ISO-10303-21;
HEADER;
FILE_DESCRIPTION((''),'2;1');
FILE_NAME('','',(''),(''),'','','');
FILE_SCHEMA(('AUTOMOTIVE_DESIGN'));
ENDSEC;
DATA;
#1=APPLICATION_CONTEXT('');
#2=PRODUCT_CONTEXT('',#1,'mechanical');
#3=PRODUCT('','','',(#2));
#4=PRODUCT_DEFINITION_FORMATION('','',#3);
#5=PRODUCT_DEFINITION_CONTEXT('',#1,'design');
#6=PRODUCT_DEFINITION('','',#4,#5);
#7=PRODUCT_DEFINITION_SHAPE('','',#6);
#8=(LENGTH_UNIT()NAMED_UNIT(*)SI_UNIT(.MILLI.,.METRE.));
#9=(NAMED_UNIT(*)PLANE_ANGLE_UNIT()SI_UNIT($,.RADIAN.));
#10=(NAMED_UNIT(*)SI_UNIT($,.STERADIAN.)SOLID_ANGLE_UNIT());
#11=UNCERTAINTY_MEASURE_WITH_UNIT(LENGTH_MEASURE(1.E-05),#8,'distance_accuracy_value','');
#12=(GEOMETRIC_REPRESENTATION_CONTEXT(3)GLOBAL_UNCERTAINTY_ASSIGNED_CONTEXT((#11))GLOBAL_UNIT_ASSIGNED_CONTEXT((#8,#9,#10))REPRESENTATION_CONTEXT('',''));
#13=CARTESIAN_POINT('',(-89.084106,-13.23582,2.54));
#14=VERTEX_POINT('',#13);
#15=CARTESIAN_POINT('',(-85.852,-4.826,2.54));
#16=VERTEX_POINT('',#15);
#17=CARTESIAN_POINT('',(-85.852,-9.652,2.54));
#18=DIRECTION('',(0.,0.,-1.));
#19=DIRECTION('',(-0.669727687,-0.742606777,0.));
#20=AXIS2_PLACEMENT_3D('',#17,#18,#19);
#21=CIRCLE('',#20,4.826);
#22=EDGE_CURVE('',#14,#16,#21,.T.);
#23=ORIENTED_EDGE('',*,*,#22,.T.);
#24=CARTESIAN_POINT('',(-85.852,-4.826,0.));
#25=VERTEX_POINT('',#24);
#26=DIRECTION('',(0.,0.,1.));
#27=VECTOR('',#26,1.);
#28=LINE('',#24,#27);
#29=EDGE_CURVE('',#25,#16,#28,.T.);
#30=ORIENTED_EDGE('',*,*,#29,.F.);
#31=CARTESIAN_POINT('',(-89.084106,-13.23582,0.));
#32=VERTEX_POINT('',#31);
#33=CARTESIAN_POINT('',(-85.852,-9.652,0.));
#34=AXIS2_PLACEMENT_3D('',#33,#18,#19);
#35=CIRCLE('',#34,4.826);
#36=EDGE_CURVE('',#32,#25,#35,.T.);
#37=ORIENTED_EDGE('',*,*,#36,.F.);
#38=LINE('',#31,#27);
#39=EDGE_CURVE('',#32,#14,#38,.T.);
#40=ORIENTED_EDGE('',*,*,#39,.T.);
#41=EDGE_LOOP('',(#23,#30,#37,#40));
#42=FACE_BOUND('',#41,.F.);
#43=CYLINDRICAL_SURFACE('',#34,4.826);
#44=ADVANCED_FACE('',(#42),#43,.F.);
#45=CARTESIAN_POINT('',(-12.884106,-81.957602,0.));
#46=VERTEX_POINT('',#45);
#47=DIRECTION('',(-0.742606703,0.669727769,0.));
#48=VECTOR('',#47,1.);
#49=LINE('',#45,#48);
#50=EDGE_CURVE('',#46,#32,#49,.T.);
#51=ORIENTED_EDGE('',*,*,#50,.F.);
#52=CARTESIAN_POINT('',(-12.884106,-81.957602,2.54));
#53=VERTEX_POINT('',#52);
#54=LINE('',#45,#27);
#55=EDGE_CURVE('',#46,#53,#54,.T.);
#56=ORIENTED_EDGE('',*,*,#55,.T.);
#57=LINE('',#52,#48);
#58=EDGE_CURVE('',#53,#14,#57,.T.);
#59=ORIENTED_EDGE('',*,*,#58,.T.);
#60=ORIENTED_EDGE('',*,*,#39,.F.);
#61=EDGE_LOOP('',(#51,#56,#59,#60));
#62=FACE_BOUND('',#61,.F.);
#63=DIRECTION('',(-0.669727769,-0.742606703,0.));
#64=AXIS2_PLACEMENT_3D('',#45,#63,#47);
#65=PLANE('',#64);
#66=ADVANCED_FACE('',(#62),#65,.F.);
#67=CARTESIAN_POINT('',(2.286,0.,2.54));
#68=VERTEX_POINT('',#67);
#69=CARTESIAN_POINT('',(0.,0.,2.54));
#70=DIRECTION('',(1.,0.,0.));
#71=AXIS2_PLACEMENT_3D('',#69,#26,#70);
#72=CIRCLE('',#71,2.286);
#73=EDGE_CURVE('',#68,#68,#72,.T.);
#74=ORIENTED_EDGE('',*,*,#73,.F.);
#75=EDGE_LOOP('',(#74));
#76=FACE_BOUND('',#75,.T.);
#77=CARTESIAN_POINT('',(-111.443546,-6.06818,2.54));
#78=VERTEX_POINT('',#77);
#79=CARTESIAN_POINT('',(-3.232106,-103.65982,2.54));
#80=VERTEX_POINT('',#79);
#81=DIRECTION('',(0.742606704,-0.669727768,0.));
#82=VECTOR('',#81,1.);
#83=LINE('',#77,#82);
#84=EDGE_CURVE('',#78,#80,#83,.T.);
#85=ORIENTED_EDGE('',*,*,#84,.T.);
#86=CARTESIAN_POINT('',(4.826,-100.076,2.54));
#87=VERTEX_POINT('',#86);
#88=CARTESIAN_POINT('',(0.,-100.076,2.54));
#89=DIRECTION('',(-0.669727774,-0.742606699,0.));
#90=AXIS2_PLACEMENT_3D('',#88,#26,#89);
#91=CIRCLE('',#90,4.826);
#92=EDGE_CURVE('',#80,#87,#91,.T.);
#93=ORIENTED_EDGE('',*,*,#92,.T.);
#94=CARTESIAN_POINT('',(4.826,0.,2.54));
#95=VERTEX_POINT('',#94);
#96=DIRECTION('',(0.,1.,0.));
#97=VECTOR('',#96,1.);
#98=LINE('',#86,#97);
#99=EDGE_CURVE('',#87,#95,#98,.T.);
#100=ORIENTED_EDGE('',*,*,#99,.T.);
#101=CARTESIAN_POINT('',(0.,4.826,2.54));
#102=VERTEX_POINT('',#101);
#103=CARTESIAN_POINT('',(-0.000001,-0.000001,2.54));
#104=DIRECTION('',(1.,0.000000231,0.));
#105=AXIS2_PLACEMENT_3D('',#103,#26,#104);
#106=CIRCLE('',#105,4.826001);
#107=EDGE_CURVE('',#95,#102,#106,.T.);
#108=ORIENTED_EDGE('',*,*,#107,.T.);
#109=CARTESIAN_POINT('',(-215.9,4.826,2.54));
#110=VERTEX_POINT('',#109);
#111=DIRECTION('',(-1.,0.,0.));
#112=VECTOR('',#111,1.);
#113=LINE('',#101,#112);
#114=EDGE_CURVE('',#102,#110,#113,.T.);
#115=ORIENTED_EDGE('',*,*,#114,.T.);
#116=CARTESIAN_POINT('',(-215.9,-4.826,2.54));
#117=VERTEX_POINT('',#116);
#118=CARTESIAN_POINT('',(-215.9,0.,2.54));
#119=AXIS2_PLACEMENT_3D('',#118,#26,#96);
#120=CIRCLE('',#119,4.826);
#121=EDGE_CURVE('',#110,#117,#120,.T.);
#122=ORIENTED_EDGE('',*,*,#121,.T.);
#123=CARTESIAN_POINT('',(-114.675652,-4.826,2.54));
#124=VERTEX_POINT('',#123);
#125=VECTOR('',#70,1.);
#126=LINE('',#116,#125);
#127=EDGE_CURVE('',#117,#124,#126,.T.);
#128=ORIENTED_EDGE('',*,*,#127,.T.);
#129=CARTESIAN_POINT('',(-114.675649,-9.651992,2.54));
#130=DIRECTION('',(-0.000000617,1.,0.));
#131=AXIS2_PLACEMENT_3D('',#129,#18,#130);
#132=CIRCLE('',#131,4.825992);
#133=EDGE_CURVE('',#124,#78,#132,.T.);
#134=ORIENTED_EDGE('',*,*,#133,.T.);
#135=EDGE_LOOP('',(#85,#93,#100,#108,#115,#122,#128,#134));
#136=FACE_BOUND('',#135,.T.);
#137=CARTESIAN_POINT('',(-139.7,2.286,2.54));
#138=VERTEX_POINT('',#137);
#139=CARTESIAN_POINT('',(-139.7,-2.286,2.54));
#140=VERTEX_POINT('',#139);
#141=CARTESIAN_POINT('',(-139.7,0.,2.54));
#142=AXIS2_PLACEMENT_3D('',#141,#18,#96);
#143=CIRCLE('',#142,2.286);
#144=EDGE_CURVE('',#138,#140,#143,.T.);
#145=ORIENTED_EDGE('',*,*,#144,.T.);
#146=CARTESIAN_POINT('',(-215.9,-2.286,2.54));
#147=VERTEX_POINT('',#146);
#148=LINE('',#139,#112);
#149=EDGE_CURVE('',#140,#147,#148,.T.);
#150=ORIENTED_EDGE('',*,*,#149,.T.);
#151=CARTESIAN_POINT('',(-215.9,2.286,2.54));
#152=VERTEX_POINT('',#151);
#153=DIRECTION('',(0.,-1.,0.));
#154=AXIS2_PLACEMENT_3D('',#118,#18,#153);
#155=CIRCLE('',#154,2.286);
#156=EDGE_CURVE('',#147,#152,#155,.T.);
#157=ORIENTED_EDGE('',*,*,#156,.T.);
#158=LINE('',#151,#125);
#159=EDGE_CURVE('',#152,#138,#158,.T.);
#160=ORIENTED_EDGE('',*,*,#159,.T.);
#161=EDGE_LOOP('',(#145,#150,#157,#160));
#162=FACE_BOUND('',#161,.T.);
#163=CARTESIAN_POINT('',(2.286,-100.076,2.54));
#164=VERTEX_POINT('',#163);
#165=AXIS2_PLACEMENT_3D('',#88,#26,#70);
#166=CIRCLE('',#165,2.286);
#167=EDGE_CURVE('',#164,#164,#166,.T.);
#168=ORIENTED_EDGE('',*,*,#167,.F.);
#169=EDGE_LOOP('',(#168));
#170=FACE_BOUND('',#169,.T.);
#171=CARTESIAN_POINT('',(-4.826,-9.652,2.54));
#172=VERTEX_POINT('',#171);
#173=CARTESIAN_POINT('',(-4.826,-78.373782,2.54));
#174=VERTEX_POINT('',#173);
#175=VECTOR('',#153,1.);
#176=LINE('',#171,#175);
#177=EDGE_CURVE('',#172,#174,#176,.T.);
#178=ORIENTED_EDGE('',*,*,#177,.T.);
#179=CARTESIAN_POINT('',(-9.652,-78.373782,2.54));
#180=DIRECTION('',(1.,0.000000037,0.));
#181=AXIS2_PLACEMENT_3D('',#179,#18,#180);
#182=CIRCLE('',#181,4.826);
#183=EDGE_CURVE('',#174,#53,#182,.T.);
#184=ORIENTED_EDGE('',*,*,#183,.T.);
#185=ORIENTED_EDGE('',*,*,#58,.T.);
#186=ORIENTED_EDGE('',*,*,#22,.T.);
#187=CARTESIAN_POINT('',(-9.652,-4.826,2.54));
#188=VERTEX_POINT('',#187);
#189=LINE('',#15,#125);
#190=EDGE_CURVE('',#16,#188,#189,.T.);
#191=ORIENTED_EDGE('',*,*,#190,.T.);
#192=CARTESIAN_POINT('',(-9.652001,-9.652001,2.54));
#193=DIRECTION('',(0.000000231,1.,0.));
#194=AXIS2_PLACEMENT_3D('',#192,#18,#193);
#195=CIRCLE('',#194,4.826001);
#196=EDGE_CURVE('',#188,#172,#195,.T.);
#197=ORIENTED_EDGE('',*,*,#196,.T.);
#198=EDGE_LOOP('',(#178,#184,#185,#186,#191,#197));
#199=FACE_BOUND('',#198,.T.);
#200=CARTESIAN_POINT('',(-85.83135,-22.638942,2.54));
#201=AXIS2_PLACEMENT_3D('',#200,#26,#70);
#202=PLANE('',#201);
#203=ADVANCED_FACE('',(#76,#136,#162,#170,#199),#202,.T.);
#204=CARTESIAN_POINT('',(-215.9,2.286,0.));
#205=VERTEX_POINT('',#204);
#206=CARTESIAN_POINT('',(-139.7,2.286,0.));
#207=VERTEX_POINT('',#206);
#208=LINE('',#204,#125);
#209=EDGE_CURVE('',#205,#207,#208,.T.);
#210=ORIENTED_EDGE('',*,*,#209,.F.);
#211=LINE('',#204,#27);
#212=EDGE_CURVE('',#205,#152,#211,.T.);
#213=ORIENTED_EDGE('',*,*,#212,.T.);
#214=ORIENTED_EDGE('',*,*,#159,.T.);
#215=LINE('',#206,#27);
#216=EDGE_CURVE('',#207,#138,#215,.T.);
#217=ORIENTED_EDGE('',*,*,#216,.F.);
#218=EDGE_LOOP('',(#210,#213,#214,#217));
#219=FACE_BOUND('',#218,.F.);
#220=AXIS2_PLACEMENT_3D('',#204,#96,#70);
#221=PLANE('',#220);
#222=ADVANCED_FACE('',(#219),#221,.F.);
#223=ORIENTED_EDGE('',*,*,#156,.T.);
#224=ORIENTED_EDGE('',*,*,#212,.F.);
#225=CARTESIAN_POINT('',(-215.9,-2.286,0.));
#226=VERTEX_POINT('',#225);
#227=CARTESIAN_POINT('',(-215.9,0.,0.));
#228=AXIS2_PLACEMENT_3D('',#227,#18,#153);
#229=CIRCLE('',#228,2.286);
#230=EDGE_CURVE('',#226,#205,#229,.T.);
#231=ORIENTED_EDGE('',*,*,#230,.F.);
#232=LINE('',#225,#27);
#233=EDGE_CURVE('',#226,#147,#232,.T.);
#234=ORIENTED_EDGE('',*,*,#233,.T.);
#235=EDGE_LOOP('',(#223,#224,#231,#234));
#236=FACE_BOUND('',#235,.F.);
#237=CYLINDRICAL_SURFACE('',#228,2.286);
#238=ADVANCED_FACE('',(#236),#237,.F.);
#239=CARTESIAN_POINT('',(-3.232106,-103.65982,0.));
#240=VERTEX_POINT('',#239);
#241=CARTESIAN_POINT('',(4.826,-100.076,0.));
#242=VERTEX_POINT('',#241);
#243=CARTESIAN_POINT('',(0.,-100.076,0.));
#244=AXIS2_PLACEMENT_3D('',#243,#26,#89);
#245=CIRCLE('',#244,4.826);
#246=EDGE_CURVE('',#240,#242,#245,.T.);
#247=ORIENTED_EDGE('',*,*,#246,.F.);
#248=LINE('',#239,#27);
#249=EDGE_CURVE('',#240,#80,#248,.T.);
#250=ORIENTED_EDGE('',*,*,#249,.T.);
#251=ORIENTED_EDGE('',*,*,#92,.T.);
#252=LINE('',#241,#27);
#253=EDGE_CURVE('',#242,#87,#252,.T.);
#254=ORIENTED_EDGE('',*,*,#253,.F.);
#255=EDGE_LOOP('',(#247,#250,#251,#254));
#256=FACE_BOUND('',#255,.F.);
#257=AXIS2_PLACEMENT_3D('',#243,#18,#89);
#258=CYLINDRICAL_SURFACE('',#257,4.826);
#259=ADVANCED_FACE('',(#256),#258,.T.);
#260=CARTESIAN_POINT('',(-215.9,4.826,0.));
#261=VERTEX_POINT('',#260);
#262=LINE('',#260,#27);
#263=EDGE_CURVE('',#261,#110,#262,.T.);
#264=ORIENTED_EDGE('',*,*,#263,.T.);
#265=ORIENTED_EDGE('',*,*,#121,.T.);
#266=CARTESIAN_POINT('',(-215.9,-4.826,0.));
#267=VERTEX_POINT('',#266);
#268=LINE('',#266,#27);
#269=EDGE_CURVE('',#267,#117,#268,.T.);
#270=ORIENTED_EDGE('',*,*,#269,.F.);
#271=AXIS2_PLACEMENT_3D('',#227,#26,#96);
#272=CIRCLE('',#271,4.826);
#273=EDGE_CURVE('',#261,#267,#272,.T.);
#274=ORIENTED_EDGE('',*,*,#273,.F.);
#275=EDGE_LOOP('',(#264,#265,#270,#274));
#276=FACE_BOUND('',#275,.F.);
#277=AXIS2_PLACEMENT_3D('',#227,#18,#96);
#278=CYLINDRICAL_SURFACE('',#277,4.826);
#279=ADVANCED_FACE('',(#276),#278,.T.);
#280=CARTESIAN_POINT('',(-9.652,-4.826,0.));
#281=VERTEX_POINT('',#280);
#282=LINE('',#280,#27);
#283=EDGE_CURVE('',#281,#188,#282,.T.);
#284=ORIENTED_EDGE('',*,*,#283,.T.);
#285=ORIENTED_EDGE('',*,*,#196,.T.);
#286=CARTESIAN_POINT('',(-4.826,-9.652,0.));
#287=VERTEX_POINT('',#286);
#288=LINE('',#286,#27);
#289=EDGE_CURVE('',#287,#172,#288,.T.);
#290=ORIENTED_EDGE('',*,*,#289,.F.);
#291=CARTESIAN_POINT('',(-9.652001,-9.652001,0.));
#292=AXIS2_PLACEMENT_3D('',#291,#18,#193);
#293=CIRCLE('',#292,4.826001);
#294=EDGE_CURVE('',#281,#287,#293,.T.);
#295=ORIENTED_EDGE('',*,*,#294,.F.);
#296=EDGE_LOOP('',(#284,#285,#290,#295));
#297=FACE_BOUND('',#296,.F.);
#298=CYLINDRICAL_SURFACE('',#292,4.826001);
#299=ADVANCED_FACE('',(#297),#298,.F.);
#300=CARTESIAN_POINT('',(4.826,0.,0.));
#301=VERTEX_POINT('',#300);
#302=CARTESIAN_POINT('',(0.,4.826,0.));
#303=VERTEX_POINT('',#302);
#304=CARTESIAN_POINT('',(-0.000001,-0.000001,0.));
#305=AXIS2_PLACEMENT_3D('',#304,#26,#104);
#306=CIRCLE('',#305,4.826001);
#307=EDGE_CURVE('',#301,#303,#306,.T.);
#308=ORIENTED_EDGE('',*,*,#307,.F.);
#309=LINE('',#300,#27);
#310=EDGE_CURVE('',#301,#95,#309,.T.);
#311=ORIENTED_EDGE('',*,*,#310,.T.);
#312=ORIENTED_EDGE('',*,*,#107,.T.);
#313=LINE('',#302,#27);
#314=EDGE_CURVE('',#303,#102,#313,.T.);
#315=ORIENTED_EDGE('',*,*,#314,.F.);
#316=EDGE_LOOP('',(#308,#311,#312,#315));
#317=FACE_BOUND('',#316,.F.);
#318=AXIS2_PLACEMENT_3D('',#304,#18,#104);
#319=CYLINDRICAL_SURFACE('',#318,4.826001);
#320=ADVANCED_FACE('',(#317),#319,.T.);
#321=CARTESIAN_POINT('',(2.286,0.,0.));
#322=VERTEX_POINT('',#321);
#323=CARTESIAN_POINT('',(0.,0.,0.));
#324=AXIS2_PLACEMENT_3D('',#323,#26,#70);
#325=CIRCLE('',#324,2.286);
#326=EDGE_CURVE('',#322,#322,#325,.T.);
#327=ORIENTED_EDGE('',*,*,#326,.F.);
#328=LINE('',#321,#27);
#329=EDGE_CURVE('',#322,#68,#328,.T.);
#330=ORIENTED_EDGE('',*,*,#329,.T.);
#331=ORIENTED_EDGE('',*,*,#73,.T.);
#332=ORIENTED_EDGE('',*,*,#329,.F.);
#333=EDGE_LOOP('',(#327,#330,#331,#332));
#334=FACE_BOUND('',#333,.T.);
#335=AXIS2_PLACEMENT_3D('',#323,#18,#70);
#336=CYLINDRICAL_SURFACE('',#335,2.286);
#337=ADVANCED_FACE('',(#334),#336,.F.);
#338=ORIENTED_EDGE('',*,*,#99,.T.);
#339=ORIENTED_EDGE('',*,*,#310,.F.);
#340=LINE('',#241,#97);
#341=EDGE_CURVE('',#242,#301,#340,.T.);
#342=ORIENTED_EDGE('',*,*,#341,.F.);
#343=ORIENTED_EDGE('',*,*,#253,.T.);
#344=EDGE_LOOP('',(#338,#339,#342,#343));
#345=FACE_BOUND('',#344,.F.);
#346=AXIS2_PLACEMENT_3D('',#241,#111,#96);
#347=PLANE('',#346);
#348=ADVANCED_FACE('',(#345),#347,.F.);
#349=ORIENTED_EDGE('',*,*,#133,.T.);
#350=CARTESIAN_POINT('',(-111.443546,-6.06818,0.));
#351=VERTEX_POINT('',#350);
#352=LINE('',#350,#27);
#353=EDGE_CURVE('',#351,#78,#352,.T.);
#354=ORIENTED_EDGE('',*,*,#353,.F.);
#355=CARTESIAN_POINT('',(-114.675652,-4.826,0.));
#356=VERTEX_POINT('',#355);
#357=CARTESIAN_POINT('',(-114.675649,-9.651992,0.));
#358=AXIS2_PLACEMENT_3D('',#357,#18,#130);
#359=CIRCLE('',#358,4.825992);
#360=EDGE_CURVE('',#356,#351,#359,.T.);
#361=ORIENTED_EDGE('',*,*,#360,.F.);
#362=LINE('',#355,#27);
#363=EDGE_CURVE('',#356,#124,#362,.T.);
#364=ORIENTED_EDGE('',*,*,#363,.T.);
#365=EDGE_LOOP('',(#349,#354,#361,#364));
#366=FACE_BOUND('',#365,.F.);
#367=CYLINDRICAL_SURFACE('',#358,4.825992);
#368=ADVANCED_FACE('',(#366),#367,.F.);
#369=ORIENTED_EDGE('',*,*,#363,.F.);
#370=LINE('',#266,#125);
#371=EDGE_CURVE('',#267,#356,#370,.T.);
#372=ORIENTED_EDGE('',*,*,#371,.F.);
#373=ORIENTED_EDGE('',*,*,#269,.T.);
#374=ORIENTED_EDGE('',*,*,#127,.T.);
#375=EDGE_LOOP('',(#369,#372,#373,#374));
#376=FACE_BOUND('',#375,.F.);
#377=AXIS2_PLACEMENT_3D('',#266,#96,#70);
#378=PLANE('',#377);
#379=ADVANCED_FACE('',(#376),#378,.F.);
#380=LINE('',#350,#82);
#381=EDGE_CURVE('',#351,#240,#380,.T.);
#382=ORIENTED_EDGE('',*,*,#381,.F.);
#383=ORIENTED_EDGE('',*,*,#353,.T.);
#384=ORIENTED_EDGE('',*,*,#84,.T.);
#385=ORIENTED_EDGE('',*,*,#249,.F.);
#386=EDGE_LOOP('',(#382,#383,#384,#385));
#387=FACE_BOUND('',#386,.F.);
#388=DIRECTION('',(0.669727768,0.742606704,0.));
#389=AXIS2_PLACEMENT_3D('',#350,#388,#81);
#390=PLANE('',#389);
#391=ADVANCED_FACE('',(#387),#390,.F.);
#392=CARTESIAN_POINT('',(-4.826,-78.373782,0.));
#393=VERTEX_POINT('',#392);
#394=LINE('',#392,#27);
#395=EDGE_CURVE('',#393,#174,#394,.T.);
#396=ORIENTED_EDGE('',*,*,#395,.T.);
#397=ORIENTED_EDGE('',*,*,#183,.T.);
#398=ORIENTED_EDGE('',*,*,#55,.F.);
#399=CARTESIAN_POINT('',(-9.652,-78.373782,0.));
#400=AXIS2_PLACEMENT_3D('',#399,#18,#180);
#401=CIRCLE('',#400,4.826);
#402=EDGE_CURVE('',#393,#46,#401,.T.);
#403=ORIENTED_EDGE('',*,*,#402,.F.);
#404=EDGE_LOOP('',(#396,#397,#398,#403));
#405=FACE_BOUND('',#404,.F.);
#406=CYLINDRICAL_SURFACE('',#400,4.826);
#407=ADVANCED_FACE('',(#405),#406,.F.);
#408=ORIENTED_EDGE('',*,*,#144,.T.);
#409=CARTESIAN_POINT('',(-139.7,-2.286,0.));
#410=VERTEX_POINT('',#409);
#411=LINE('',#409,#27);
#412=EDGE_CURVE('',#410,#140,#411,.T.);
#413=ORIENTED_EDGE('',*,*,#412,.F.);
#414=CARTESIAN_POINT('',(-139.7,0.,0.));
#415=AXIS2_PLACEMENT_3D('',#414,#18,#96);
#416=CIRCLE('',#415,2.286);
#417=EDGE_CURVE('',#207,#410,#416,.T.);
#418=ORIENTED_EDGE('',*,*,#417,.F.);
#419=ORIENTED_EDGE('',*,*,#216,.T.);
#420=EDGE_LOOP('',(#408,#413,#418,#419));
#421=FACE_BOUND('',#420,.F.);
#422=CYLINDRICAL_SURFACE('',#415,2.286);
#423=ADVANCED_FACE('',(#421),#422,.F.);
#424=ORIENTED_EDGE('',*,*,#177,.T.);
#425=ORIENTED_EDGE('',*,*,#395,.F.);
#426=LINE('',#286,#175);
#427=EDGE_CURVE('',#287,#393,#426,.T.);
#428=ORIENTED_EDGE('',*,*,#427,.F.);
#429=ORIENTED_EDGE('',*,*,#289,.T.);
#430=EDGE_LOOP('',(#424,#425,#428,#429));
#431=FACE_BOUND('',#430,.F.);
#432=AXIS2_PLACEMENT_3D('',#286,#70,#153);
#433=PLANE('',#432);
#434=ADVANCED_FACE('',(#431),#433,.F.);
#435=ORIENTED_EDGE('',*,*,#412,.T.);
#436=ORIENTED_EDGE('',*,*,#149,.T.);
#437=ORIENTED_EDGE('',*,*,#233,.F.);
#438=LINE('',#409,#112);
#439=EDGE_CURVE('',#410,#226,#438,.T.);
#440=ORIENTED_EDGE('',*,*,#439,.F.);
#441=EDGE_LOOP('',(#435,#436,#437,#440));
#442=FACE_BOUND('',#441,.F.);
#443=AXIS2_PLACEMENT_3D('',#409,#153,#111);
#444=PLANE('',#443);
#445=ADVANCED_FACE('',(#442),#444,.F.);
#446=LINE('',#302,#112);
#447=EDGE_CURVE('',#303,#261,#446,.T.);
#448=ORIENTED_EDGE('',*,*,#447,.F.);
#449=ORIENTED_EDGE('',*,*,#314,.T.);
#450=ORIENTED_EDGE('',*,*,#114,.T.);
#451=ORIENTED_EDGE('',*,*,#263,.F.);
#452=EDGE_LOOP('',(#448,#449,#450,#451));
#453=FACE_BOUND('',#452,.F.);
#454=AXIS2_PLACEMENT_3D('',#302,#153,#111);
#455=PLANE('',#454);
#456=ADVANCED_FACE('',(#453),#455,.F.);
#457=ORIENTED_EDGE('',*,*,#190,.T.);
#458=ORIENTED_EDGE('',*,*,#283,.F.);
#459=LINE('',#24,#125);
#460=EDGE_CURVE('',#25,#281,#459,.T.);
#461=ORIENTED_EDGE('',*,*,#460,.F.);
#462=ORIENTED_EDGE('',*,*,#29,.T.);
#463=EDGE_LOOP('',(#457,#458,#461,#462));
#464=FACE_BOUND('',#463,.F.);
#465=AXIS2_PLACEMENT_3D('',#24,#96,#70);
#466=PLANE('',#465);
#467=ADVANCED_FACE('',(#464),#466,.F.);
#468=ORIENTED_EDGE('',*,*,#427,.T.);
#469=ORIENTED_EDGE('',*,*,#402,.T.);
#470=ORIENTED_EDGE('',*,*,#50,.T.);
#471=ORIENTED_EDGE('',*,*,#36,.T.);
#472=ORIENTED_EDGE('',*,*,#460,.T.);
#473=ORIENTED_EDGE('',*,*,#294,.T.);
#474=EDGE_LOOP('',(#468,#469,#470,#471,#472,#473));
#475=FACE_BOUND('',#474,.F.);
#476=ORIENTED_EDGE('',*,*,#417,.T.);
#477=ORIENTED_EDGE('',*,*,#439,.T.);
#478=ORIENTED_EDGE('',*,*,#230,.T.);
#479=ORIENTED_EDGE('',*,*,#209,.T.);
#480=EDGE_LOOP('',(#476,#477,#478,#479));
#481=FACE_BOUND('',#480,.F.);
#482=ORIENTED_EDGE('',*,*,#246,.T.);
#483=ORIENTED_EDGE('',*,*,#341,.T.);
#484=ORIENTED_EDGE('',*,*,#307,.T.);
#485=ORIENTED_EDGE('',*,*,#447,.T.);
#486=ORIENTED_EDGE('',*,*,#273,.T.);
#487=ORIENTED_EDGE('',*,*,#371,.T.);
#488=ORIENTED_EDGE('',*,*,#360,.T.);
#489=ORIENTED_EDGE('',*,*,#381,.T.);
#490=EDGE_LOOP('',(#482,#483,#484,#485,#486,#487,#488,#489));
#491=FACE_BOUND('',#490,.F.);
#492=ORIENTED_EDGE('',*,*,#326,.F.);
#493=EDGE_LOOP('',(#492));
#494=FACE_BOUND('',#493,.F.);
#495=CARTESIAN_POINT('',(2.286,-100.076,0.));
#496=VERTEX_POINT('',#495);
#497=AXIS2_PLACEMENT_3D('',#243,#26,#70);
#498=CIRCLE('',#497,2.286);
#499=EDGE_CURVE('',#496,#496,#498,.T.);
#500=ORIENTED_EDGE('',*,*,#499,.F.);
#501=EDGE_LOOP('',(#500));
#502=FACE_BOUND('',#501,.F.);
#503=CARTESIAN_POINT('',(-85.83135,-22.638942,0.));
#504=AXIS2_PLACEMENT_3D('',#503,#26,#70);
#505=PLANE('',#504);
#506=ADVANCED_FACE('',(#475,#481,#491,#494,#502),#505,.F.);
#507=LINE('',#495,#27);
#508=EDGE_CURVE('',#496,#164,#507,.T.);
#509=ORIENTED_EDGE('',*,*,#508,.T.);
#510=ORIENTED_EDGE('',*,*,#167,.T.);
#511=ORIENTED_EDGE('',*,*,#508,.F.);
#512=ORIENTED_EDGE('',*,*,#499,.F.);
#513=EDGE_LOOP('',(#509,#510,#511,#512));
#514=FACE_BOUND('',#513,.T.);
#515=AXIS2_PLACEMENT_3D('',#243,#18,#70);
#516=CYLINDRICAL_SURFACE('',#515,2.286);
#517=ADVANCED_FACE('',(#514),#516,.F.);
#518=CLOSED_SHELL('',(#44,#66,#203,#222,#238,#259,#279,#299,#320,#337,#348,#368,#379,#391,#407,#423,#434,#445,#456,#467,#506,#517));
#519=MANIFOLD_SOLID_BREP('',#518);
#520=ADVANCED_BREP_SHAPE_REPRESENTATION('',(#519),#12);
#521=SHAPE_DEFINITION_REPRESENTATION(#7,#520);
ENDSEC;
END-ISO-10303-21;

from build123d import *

# Parameters (mm, degrees)
F0_R     = 2.286
F1_DEPTH = 2.54


with BuildPart() as f1:
    # F0 (on Top) → F1 (new body)
    with BuildSketch(Plane.XY):
        with BuildLine():
            Line((0, 4.826), (-215.9, 4.826))
            ThreePointArc((-215.9, 4.826), (-220.726, 0), (-215.9, -4.826))
            Line((-215.9, -4.826), (-114.675652, -4.826))
            ThreePointArc((-114.675652, -4.826), (-112.944357, -5.147236), (-111.443546, -6.06818))
            Line((-111.443546, -6.06818), (-3.232106, -103.65982))
            ThreePointArc((-3.232106, -103.65982), (1.961139, -104.485559), (4.826, -100.076))
            Line((4.826, -100.076), (4.826, 0))
            ThreePointArc((4.826, 0), (3.412497, 3.412497), (0, 4.826))
        make_face()
        with Locations((0, -100.076)):
            Circle(F0_R, mode=Mode.SUBTRACT)
        with BuildLine():
            ThreePointArc((-215.9, -2.286), (-218.186, 0), (-215.9, 2.286))
            Line((-215.9, 2.286), (-139.7, 2.286))
            ThreePointArc((-139.7, 2.286), (-137.414, 0), (-139.7, -2.286))
            Line((-139.7, -2.286), (-215.9, -2.286))
        make_face(mode=Mode.SUBTRACT)
        with BuildLine():
            Line((-12.884106, -81.957602), (-89.084106, -13.23582))
            ThreePointArc((-89.084106, -13.23582), (-90.356764, -7.920706), (-85.852, -4.826))
            Line((-85.852, -4.826), (-9.652, -4.826))
            ThreePointArc((-9.652, -4.826), (-6.239503, -6.239503), (-4.826, -9.652))
            Line((-4.826, -9.652), (-4.826, -78.373782))
            ThreePointArc((-4.826, -78.373782), (-7.690861, -82.783341), (-12.884106, -81.957602))
        make_face(mode=Mode.SUBTRACT)
        Circle(F0_R, mode=Mode.SUBTRACT)
    extrude(amount=F1_DEPTH)


solid = f1.part
